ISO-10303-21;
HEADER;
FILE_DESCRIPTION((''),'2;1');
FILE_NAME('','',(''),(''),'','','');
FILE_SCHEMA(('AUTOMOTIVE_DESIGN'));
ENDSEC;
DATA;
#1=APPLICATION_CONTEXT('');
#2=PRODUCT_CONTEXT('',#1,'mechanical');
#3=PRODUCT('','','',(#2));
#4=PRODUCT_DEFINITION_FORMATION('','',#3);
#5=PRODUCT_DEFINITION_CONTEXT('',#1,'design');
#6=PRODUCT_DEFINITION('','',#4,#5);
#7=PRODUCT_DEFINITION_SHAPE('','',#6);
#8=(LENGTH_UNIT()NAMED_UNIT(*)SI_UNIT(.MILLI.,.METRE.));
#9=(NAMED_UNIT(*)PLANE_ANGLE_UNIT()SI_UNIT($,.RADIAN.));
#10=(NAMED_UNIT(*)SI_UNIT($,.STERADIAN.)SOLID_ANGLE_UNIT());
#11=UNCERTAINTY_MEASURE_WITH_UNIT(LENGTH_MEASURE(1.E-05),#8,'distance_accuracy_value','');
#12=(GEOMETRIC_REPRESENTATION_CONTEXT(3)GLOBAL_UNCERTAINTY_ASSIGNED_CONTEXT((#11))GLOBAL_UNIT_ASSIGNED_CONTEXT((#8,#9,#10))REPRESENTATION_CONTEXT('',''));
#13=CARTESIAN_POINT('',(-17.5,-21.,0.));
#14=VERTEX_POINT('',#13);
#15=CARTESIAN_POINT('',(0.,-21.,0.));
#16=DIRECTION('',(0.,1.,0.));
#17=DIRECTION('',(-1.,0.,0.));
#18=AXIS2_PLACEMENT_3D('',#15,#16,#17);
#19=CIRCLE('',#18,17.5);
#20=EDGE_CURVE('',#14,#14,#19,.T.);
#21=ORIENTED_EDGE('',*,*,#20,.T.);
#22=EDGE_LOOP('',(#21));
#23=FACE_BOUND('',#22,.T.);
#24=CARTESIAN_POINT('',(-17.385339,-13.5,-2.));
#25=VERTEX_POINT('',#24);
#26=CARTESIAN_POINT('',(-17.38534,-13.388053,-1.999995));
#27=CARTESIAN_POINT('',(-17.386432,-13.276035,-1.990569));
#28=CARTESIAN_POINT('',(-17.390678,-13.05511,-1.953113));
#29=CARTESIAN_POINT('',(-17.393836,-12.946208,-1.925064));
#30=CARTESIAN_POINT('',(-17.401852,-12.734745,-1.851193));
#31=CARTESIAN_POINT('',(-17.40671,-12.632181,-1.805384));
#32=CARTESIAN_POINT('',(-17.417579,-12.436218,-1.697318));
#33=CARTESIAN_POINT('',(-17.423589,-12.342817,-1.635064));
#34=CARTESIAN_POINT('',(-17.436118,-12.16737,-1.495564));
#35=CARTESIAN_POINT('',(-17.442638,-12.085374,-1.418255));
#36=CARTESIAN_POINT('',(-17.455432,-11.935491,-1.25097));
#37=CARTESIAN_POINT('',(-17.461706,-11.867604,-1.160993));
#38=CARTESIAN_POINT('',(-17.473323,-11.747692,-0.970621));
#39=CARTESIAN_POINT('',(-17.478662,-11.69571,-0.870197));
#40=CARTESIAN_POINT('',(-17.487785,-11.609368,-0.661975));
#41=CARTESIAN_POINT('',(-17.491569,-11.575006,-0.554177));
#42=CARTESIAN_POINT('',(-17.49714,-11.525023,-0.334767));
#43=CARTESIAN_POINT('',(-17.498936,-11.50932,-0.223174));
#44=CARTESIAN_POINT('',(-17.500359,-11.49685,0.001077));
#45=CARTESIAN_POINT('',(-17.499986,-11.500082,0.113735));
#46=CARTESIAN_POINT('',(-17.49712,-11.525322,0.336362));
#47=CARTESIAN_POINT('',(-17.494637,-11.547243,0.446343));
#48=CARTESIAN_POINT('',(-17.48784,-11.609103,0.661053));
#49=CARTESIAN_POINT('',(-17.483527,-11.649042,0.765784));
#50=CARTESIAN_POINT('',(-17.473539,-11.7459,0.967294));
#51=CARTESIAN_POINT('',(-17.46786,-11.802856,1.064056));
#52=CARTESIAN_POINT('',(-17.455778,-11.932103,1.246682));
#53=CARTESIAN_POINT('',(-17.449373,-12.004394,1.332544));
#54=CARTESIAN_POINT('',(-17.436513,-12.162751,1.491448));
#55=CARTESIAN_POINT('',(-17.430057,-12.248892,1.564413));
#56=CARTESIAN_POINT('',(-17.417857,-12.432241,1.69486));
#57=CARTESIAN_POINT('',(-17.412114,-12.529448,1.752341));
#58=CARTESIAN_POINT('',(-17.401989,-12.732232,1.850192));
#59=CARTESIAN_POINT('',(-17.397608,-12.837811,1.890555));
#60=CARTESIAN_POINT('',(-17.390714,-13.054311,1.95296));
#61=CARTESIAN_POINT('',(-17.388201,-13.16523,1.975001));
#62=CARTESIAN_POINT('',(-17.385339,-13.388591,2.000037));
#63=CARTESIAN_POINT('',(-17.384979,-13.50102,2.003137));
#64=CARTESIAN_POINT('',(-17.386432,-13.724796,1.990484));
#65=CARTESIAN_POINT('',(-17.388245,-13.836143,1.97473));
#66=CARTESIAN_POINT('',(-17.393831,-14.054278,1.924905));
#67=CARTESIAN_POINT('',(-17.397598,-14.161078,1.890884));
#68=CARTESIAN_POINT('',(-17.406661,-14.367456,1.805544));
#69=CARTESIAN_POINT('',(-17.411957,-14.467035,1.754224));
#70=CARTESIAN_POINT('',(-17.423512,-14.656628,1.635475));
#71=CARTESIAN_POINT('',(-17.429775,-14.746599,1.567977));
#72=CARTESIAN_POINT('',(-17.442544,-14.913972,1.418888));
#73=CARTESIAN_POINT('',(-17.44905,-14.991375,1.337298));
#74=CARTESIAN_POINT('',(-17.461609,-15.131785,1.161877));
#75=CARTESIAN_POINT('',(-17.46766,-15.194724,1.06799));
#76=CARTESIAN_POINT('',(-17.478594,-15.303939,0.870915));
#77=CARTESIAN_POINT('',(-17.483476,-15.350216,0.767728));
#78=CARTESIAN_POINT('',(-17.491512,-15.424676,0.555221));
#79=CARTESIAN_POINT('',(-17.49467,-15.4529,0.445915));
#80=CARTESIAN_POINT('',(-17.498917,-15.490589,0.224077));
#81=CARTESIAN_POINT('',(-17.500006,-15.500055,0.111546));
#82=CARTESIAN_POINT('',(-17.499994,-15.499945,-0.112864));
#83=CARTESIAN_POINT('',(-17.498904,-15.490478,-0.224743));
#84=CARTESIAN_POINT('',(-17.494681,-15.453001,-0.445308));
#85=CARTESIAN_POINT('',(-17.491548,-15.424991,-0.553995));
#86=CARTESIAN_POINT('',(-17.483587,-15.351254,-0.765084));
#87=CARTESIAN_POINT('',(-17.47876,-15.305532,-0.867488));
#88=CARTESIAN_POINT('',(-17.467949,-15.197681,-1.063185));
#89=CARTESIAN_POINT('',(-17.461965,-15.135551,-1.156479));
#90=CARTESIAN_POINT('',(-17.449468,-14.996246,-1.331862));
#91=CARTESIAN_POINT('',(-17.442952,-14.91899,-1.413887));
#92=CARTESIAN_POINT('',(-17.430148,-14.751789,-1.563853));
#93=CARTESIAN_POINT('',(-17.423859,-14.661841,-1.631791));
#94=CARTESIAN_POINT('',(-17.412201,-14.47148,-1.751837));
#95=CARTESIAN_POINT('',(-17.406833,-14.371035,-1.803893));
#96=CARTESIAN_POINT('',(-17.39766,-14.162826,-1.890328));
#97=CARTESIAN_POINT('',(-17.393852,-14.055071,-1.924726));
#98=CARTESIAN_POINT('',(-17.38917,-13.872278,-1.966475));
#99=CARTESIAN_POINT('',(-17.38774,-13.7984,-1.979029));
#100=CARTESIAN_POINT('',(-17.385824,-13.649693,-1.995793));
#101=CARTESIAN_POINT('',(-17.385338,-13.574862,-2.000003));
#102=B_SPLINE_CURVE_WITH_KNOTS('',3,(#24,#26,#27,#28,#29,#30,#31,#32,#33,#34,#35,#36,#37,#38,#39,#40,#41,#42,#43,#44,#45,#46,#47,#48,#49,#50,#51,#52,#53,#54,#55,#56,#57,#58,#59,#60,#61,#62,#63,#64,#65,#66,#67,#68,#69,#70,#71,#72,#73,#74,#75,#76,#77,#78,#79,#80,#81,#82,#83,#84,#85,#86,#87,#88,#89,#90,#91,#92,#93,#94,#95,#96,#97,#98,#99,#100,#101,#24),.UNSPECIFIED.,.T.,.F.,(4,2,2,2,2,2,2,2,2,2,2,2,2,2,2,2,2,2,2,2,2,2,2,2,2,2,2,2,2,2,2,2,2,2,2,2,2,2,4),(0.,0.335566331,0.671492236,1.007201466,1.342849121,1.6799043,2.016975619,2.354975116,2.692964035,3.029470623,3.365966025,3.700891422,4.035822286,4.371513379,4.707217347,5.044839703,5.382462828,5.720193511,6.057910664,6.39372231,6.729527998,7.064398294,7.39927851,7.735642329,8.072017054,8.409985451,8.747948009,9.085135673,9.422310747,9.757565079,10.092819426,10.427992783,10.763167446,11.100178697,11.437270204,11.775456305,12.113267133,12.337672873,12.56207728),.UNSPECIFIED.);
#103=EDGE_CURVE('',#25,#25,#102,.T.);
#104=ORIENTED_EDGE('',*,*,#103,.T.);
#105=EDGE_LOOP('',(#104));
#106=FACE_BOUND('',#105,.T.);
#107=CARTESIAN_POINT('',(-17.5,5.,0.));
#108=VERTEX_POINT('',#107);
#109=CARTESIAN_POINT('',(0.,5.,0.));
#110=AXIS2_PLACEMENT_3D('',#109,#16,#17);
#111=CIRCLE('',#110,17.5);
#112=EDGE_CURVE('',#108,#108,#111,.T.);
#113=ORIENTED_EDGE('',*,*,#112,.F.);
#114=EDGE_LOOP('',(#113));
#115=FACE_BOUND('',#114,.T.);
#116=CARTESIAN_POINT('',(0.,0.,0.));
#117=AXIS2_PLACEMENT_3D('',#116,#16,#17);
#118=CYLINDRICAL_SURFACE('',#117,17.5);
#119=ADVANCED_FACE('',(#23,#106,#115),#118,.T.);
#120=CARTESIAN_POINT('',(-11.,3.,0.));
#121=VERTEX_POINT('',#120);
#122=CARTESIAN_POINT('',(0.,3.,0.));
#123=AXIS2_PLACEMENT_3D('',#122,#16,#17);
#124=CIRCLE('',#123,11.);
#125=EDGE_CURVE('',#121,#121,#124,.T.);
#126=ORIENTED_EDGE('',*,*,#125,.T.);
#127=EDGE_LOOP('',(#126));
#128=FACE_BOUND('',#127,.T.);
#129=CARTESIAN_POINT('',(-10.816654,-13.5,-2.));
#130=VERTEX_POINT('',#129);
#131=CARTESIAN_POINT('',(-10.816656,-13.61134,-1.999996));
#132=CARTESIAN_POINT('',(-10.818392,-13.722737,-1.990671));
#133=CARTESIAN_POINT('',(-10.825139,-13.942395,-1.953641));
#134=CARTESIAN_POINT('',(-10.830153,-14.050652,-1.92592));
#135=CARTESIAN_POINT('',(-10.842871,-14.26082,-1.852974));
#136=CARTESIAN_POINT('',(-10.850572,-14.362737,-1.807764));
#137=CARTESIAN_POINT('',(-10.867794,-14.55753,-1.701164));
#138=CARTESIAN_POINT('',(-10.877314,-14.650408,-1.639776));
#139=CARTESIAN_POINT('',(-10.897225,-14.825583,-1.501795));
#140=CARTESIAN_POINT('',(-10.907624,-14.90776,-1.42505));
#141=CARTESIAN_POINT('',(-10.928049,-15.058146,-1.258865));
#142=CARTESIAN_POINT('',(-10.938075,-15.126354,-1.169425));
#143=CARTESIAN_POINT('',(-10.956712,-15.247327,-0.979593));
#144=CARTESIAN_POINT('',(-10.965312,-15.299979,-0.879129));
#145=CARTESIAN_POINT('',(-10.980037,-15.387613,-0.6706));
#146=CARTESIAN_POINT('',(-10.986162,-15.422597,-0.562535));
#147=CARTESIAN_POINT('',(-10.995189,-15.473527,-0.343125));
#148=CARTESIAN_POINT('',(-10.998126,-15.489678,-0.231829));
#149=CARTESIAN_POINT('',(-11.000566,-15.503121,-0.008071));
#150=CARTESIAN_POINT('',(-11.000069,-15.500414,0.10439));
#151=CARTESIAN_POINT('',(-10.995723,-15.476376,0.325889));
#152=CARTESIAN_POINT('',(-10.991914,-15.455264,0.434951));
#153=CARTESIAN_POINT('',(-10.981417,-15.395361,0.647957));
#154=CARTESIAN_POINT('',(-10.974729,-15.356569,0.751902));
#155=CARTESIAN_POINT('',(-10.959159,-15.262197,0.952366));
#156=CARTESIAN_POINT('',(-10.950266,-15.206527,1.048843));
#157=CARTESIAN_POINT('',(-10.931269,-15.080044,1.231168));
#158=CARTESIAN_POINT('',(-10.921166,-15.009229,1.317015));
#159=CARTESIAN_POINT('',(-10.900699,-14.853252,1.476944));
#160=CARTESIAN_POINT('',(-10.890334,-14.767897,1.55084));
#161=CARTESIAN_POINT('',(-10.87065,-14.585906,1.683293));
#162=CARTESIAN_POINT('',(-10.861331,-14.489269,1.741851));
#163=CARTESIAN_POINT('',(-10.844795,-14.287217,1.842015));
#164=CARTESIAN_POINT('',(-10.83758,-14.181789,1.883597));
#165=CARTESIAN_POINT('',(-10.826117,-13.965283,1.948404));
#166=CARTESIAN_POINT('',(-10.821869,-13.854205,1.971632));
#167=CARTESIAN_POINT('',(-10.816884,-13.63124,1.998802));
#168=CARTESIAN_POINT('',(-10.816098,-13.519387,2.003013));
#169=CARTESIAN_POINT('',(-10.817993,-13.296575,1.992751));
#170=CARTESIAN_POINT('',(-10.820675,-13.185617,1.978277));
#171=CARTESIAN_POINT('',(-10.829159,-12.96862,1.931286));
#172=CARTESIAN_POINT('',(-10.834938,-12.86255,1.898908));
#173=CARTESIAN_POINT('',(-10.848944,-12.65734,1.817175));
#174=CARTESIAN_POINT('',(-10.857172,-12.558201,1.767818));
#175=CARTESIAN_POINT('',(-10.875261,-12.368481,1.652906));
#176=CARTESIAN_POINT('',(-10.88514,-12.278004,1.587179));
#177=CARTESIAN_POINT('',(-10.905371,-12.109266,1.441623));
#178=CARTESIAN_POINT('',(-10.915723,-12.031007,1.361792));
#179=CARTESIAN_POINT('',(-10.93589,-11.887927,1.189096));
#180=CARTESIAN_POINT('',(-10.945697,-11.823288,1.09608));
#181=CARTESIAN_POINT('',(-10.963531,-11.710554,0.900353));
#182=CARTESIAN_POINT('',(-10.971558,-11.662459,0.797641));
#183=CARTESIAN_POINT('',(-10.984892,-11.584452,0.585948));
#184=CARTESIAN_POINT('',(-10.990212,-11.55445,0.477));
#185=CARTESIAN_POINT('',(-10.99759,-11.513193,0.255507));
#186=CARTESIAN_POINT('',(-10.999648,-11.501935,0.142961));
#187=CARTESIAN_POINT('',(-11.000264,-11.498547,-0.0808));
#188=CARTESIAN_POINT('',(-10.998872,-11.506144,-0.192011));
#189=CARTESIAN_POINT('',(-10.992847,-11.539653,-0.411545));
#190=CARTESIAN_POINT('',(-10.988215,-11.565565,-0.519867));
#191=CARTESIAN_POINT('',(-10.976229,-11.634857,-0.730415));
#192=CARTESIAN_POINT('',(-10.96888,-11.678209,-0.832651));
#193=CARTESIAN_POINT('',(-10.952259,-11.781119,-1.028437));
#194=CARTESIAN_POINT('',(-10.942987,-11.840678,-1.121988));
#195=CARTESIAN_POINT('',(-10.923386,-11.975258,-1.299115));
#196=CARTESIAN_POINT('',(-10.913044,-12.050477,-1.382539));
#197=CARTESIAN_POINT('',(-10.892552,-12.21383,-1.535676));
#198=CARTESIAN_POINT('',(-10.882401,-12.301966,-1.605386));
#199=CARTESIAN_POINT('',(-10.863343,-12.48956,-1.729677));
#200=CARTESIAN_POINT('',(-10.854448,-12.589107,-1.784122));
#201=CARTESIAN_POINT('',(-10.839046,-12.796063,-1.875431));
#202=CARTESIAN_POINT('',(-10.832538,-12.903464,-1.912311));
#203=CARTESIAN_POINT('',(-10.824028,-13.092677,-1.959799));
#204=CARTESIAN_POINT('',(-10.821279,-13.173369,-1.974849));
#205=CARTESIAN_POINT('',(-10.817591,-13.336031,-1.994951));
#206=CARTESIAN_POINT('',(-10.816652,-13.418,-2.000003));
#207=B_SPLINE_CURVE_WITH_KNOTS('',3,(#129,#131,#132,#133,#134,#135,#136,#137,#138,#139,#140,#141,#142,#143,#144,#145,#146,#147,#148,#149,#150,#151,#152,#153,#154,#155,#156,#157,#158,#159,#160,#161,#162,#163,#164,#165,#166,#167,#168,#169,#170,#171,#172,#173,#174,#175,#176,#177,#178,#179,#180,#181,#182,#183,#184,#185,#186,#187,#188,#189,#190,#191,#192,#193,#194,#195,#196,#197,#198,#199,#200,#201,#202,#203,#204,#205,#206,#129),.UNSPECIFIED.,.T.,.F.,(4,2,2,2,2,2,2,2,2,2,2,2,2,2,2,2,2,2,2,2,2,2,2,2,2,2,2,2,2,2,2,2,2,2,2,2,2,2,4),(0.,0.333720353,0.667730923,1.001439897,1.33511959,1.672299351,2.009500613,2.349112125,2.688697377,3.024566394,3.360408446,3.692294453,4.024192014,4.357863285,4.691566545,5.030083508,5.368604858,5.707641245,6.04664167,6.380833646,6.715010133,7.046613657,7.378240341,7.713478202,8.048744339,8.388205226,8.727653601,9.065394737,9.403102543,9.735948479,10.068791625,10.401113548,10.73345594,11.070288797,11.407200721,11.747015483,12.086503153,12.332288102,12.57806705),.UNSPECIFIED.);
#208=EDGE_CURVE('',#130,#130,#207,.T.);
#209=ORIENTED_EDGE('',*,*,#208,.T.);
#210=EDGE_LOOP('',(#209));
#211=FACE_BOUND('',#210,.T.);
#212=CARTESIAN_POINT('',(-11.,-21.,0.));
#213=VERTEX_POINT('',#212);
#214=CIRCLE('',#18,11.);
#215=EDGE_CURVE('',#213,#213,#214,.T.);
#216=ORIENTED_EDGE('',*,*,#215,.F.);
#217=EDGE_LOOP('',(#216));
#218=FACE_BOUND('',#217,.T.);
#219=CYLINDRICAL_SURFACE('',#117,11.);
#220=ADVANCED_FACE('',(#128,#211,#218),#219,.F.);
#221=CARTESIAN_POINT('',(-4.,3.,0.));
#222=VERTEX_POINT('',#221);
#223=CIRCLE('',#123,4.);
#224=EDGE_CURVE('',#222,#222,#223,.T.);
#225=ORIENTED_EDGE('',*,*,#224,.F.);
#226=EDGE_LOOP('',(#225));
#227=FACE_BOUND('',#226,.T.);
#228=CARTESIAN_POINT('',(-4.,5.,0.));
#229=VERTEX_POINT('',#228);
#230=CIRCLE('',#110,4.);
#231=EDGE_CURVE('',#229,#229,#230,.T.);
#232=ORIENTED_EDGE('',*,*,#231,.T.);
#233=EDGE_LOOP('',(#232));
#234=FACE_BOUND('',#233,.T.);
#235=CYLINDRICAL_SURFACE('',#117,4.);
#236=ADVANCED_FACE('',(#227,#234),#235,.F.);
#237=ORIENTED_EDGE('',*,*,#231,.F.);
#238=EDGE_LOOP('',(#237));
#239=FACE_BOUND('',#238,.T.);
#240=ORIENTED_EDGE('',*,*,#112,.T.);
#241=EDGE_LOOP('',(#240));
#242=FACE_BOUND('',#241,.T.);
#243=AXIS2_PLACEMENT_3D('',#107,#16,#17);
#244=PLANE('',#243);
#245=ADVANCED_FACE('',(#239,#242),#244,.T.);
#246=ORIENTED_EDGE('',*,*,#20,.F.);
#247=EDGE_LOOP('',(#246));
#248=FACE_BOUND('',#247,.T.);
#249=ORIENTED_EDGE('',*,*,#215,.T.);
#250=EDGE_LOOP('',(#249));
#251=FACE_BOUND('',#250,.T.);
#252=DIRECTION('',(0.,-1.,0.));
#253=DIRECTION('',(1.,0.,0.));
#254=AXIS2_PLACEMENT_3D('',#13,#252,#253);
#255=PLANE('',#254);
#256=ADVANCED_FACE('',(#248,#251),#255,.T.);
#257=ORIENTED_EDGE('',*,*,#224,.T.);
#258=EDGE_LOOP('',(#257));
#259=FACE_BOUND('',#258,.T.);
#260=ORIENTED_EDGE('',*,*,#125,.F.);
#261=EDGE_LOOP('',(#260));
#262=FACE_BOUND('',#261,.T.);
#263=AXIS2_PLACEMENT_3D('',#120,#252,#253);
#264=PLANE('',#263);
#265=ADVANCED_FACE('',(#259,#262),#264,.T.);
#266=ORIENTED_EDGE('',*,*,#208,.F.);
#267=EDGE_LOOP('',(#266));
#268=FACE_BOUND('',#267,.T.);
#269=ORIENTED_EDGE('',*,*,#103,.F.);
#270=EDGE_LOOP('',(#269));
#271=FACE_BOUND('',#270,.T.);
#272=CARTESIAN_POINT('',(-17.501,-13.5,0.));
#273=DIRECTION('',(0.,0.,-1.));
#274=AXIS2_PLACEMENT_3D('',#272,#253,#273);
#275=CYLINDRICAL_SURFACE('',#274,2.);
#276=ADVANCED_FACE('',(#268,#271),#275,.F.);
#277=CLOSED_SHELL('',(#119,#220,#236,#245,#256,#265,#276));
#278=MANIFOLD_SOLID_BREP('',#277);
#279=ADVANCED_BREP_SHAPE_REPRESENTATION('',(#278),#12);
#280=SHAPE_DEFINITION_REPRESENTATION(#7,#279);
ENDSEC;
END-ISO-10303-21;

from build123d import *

# Parameters (mm, degrees)
EXTRUSION1_REACH = 19.5
ESQUISSE2_R      = 2


with BuildPart() as part:
    # Esquisse1 → Révolution1 (revolve)
    with BuildSketch(Plane.XY):
        Polygon((-17.5, 5), (-4, 5), (-4, 3), (-11, 3), (-11, -21), (-17.5, -21), align=None)
    revolve(axis=Axis((0, 0, 0), (0, -1, 0)))

    # Esquisse2 → Extrusion1 (cut, up to next)
    with BuildSketch(Plane(origin=(0, 0, 0), x_dir=(0, 0, -1), z_dir=(1, 0, 0)), mode=Mode.PRIVATE) as extrusion1_sk1:
        with Locations((0, -13.5)):
            Circle(ESQUISSE2_R)
    extrusion1_tool1 = extrude(extrusion1_sk1.sketch, amount=-EXTRUSION1_REACH, mode=Mode.PRIVATE) & part.part
    add(extrusion1_tool1.solids().sort_by_distance((0, -13.5, 0))[0], mode=Mode.SUBTRACT)


solid = part.part
